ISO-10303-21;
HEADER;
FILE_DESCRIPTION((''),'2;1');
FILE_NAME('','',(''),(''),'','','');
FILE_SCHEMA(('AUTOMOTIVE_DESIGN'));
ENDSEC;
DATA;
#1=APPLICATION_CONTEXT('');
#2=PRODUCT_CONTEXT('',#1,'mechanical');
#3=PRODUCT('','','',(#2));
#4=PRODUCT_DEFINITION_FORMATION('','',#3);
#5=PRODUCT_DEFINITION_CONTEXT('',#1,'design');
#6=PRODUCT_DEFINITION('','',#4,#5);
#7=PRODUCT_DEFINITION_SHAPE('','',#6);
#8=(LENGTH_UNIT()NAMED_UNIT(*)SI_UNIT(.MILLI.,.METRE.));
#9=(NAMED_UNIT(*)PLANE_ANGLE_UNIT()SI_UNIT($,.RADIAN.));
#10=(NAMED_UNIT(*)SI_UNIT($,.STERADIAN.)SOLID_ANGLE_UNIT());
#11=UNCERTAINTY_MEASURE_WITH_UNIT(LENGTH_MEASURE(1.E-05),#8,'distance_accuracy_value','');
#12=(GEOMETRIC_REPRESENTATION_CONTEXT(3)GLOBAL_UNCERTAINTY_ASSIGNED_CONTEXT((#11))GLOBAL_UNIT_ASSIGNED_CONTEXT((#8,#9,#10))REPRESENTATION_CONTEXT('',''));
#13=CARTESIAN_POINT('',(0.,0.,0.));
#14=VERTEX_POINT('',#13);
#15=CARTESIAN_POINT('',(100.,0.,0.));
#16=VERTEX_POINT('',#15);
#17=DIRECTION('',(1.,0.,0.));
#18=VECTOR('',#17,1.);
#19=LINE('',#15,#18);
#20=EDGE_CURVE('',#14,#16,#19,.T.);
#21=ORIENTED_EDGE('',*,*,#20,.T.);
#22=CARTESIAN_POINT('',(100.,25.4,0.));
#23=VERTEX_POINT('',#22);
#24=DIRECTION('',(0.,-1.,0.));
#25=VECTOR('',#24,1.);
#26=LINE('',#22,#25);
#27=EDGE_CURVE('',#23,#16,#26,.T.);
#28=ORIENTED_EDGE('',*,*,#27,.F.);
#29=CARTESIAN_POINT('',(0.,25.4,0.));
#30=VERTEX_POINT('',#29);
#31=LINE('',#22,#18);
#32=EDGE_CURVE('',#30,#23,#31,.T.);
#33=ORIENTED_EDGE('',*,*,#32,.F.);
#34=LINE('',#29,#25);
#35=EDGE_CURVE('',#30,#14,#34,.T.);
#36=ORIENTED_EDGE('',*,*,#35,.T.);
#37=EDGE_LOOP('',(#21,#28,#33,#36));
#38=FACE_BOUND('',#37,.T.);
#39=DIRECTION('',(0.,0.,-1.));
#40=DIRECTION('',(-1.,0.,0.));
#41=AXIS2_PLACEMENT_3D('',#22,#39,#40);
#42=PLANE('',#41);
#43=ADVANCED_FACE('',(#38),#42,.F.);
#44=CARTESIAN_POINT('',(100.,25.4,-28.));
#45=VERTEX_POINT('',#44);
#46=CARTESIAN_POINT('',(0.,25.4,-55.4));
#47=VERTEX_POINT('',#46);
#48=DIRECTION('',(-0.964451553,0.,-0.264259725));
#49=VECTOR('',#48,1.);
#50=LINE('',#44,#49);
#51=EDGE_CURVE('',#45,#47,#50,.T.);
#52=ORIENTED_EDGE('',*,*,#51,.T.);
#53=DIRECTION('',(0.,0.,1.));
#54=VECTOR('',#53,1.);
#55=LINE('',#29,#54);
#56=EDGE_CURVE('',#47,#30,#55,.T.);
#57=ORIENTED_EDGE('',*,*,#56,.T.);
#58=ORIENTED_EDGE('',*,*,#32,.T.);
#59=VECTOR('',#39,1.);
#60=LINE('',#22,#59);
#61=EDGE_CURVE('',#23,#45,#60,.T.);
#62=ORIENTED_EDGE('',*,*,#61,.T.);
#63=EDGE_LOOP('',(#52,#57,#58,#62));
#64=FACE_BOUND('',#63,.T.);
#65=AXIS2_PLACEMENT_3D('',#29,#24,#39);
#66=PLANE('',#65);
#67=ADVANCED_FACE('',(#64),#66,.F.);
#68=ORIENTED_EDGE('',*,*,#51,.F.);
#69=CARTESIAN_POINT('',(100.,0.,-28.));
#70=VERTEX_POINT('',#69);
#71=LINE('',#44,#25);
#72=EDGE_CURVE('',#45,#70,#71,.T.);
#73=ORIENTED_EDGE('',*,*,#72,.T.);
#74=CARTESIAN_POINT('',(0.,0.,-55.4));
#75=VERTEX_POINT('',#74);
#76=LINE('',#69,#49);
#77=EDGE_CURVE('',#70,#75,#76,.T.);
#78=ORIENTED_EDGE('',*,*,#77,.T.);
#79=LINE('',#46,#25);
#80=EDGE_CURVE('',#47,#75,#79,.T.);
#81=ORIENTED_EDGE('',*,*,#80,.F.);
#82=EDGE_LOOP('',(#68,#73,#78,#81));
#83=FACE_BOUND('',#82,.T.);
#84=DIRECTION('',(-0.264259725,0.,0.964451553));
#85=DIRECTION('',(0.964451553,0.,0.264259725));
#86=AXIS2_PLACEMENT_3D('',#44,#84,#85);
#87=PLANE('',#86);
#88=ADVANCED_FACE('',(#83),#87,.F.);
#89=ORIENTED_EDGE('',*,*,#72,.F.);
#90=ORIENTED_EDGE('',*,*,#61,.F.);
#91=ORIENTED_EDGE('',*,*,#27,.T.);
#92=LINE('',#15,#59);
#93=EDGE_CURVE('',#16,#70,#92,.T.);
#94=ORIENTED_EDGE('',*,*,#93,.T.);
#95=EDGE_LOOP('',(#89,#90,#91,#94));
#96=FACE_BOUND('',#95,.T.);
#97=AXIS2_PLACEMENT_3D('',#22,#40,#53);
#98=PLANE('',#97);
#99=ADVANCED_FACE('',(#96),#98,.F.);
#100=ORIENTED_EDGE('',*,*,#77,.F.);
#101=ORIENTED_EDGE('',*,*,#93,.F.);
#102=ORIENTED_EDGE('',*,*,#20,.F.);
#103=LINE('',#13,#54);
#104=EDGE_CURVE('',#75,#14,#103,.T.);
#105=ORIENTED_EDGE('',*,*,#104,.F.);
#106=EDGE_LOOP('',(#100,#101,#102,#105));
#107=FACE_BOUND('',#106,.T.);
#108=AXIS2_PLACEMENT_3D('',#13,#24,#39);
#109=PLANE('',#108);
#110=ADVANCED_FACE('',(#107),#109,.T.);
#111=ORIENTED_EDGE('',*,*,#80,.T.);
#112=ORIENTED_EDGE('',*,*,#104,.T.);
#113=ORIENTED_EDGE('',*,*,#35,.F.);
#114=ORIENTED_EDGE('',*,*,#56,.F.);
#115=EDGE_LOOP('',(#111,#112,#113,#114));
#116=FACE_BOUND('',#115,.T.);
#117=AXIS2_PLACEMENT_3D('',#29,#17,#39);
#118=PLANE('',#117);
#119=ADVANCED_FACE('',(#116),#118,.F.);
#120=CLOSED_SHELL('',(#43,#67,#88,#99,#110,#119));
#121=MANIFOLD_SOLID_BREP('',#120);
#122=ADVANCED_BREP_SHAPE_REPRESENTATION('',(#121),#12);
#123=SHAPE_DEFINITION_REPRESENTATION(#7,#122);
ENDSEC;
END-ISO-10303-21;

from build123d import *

# Parameters (mm, degrees)
BOSS_EXTRUDE1_DEPTH = 25.4


with BuildPart() as part:
    # Sketch2 → Boss-Extrude1 (new body)
    with BuildSketch(Plane(origin=(0, 0, 0), x_dir=(1, 0, 0), z_dir=(0, 1, 0))):
        Polygon((0, 0), (0, 55.4), (100, 28), (100, 0), align=None)
    extrude(amount=BOSS_EXTRUDE1_DEPTH)


solid = part.part
